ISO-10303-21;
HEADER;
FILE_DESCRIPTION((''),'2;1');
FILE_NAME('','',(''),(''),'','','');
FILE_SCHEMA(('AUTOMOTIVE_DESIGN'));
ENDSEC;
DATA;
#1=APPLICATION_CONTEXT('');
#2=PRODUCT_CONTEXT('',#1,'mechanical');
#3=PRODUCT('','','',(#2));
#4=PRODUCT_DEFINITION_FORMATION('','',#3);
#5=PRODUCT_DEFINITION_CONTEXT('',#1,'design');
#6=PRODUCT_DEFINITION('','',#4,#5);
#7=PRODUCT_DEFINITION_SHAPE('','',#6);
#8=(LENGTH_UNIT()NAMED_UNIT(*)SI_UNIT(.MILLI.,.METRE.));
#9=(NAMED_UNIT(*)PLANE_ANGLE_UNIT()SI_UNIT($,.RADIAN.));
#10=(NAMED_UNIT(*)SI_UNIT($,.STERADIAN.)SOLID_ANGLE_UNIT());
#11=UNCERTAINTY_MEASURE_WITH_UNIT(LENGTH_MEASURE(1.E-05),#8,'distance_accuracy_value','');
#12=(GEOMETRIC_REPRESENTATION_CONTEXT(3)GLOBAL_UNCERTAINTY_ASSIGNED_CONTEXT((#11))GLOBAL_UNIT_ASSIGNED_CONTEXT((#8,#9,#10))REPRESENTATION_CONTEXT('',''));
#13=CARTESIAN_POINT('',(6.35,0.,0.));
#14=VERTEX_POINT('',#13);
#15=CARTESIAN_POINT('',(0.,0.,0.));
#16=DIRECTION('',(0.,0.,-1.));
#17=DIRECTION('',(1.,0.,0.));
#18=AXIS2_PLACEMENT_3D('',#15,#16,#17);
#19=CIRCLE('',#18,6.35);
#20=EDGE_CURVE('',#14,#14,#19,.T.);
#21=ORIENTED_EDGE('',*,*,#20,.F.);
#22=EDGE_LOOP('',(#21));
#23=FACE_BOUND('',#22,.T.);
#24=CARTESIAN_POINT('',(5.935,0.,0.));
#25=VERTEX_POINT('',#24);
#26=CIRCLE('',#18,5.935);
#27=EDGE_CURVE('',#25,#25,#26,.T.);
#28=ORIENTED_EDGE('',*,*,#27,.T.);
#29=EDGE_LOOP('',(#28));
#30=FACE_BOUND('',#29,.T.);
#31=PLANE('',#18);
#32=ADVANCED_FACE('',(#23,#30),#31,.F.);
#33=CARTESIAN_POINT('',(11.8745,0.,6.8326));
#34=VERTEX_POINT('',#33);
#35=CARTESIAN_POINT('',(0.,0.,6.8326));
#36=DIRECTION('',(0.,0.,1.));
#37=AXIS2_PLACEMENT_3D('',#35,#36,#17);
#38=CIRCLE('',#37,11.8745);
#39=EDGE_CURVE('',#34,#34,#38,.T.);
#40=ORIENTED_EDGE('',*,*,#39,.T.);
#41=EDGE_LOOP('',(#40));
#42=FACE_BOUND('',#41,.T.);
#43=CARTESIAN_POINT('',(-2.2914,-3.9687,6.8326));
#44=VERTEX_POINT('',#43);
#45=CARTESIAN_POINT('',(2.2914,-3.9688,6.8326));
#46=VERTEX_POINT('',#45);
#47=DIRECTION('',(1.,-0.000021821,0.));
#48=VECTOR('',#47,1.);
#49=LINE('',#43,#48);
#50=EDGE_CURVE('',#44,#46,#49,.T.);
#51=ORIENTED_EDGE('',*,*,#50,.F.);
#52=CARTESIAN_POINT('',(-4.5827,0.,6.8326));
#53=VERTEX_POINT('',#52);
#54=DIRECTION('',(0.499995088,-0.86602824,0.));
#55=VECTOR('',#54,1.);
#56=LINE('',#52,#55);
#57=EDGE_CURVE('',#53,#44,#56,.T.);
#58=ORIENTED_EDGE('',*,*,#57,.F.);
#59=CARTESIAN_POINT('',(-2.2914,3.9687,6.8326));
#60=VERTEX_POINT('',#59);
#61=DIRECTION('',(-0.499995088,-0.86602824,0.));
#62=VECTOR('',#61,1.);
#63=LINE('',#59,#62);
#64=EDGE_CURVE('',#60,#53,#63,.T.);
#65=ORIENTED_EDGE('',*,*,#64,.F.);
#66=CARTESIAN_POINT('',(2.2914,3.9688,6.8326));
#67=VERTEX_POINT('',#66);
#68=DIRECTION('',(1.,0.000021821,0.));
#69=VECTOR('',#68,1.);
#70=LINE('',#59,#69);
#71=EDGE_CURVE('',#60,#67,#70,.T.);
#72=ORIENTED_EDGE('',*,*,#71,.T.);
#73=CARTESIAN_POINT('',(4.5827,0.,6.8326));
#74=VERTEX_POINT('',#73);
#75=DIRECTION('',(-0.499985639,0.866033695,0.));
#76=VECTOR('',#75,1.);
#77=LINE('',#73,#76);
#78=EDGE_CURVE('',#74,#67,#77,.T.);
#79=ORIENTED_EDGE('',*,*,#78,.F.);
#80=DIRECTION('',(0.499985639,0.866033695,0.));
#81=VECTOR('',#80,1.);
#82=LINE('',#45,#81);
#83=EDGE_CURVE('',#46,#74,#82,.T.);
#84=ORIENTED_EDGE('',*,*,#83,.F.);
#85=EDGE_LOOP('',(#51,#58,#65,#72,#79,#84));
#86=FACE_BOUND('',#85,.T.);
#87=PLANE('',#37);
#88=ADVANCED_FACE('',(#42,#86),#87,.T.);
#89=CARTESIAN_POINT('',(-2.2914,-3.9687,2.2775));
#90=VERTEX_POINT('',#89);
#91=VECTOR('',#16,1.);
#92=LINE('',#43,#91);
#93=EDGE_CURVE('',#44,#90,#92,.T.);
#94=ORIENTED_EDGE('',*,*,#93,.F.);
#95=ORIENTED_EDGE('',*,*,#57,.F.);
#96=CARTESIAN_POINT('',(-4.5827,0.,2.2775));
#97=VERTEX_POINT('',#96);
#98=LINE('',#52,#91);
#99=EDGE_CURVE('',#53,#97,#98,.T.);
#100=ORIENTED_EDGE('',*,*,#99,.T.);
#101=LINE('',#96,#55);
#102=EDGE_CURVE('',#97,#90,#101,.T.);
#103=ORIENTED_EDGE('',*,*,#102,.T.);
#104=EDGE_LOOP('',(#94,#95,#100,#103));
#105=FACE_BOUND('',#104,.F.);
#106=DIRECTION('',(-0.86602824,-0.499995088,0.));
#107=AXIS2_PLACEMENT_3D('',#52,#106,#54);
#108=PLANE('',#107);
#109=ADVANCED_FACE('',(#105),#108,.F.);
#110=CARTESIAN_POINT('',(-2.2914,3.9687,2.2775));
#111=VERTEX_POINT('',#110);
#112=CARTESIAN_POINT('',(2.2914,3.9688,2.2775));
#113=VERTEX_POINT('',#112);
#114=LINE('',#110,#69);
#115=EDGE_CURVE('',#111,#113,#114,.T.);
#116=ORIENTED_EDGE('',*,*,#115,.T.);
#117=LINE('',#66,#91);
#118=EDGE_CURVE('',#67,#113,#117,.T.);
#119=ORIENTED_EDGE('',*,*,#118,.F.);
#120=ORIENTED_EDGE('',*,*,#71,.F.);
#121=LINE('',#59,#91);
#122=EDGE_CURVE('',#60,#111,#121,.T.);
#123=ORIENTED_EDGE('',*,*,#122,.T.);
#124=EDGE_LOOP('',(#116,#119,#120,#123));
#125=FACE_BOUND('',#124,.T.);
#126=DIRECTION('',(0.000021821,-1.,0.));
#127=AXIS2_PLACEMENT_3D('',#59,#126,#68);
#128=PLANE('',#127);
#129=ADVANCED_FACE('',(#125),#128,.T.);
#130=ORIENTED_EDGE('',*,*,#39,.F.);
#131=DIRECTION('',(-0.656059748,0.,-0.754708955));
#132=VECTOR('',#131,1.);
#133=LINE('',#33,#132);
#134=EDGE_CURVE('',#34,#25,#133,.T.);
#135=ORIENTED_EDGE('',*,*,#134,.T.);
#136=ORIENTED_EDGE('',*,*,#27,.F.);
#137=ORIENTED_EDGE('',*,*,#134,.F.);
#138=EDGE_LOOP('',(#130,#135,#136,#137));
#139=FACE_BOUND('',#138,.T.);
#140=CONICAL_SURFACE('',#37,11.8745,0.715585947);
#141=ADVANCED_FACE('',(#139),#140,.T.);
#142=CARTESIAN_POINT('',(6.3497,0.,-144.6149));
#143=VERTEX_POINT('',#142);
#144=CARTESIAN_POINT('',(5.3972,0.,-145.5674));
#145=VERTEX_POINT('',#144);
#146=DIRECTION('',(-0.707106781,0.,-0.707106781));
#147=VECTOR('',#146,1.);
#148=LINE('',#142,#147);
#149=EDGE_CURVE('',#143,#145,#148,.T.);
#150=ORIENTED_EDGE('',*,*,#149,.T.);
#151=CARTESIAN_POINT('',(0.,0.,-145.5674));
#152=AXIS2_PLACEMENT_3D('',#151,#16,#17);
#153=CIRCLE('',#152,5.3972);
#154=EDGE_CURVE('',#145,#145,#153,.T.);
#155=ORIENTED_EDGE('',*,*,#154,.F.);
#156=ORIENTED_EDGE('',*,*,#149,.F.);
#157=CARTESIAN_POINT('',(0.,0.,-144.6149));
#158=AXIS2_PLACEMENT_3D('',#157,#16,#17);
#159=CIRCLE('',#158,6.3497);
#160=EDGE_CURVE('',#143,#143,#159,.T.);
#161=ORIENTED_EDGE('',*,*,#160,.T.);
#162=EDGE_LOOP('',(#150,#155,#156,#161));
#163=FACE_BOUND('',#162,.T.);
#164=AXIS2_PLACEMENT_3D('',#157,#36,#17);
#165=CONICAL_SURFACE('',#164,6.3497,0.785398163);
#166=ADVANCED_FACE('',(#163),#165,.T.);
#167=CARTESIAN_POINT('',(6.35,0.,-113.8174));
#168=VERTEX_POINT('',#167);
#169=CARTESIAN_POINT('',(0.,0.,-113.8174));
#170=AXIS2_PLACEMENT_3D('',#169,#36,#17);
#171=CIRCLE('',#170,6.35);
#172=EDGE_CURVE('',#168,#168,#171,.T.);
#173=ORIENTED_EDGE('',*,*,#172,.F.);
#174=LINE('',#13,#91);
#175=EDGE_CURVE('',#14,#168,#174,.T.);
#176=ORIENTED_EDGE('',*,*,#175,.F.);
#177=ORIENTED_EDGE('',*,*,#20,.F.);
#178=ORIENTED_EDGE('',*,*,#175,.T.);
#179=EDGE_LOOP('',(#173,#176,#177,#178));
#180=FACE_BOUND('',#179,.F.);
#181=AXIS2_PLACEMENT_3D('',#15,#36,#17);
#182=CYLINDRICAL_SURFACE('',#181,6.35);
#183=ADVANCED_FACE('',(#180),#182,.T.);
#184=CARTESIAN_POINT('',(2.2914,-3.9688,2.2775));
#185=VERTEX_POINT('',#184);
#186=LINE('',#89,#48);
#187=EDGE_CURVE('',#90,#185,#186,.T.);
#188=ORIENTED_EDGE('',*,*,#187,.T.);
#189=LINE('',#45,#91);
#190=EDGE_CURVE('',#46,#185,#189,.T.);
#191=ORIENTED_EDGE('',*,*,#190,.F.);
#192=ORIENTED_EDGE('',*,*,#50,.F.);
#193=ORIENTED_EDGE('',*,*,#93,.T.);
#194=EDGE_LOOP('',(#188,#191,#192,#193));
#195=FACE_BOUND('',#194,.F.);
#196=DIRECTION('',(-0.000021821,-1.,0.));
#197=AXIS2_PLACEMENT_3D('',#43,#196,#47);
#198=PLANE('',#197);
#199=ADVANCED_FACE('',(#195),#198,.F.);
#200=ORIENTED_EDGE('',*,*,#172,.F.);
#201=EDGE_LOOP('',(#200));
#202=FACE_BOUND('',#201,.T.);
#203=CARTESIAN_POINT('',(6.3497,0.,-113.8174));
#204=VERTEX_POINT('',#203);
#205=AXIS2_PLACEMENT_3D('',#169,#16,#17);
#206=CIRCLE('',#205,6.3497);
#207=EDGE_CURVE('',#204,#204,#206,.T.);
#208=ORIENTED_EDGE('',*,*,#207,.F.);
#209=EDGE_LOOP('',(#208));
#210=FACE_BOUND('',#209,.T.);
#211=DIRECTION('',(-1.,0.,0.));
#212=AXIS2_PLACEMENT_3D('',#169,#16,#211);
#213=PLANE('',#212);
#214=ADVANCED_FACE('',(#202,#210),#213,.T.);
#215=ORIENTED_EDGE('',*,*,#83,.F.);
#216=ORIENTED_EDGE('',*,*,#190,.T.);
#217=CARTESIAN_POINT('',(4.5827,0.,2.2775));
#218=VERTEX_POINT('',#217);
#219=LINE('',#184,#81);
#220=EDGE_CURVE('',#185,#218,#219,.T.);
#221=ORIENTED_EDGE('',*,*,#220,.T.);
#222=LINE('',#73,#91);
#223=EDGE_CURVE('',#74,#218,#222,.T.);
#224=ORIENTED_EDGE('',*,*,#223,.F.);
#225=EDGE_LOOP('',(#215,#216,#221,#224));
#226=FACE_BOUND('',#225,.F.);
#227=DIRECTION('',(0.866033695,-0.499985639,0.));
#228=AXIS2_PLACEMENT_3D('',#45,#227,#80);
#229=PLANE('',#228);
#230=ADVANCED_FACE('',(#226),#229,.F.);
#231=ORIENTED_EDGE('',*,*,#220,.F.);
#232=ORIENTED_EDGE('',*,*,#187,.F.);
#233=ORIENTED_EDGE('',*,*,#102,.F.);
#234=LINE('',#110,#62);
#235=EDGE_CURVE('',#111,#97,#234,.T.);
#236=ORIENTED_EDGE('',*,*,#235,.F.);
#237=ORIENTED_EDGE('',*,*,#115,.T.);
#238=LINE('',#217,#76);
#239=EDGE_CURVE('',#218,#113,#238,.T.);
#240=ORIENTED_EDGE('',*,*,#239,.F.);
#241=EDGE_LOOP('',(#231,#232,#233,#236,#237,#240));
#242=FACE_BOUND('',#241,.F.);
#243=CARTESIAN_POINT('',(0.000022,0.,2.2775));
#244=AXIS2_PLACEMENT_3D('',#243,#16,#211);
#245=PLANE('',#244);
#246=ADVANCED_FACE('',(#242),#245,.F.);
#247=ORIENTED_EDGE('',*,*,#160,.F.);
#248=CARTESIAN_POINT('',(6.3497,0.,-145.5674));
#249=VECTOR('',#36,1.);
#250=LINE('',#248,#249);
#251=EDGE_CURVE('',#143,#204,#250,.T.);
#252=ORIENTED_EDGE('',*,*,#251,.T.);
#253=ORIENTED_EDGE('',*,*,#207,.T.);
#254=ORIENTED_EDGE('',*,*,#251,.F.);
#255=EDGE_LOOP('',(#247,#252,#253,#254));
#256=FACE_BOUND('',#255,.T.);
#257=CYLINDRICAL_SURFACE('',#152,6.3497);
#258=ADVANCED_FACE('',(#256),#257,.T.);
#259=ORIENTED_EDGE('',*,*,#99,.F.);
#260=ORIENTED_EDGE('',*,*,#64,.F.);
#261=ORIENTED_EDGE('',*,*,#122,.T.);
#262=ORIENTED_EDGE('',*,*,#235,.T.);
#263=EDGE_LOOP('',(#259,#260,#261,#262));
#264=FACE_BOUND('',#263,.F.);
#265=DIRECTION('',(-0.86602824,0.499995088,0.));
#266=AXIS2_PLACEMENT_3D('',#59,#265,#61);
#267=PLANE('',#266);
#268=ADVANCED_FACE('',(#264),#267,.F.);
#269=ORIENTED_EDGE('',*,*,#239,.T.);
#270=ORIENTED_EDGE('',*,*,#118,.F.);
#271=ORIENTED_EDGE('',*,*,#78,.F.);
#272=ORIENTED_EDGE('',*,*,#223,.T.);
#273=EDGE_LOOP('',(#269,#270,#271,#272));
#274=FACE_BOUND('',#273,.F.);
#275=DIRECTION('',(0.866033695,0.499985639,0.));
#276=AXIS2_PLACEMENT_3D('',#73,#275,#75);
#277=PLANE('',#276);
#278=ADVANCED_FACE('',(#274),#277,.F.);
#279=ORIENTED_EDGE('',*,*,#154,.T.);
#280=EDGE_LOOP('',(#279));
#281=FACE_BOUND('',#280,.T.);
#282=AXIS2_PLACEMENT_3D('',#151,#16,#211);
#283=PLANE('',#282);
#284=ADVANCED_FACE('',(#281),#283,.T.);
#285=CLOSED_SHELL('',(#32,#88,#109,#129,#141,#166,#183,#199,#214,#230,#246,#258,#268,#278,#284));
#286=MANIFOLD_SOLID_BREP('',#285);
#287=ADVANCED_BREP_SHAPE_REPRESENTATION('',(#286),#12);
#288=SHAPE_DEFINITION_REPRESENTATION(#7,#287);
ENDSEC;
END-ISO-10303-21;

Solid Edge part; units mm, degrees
sketch "Sketch1" plane through (0, 0, 0) normal (0, 0, 1) x (1, 0, 0)
  circle A0 centre (0, 0) radius 11.8745
  dimension "D1" = 23.749
extrude "Protrusion1" add sketch "Sketch1" along normal blind 6.8326
sketch "Sketch2" plane through (0, 0, 0) normal (0, 0, -1) x (1, 0, 0)
  circle A0 centre (0, 0) radius 6.35
extrude "Protrusion2" add sketch "Sketch2" along normal blind 145.5674
sketch "Sketch3" plane through (0, 0, -145.5674) normal (0, 0, -1) x (1, 0, 0)
  circle A0 centre (0, 0) radius 6.3497
extrude "Cutout1" cut sketch "Sketch3" against normal blind 31.75 flip side to cut
chamfer "Chamfer_1" distance 0.9525 angle 45 1 edges at (-6.3497, 0, -145.5674)
sketch "Sketch4" plane through (0, 0, 6.8326) normal (0, 0, 1) x (1, 0, 0)
  line L0 (-2.2914, 3.9687) -> (2.2914, 3.9688)
  line L1 (4.5827, 0) -> (2.2914, 3.9688)
  line L2 (2.2914, -3.9688) -> (4.5827, 0)
  line L3 (-2.2914, -3.9687) -> (2.2914, -3.9688)
  line L4 (-4.5827, 0) -> (-2.2914, -3.9688)
  line L5 (-2.2914, 3.9688) -> (-4.5827, 0)
  dimension "D1" = 7.9375
extrude "Cutout2" cut sketch "Sketch4" against normal blind 4.5551
sketch "Sketch5" plane through (0, 0, 0) normal (0, -1, 0) x (1, 0, 0)
  line L0 (11.8745, 6.8326) -> (5.935, 0)
  line L1 (5.935, 0) -> (11.8745, 0)
  line L2 (11.8745, 0) -> (11.8745, 6.8326)
revolve "RevolvedCutout1" cut sketch "Sketch5" angle 360 about axis through (0, 0, 14.0017) along (0, 0, -1)
properties part number "24102469"
